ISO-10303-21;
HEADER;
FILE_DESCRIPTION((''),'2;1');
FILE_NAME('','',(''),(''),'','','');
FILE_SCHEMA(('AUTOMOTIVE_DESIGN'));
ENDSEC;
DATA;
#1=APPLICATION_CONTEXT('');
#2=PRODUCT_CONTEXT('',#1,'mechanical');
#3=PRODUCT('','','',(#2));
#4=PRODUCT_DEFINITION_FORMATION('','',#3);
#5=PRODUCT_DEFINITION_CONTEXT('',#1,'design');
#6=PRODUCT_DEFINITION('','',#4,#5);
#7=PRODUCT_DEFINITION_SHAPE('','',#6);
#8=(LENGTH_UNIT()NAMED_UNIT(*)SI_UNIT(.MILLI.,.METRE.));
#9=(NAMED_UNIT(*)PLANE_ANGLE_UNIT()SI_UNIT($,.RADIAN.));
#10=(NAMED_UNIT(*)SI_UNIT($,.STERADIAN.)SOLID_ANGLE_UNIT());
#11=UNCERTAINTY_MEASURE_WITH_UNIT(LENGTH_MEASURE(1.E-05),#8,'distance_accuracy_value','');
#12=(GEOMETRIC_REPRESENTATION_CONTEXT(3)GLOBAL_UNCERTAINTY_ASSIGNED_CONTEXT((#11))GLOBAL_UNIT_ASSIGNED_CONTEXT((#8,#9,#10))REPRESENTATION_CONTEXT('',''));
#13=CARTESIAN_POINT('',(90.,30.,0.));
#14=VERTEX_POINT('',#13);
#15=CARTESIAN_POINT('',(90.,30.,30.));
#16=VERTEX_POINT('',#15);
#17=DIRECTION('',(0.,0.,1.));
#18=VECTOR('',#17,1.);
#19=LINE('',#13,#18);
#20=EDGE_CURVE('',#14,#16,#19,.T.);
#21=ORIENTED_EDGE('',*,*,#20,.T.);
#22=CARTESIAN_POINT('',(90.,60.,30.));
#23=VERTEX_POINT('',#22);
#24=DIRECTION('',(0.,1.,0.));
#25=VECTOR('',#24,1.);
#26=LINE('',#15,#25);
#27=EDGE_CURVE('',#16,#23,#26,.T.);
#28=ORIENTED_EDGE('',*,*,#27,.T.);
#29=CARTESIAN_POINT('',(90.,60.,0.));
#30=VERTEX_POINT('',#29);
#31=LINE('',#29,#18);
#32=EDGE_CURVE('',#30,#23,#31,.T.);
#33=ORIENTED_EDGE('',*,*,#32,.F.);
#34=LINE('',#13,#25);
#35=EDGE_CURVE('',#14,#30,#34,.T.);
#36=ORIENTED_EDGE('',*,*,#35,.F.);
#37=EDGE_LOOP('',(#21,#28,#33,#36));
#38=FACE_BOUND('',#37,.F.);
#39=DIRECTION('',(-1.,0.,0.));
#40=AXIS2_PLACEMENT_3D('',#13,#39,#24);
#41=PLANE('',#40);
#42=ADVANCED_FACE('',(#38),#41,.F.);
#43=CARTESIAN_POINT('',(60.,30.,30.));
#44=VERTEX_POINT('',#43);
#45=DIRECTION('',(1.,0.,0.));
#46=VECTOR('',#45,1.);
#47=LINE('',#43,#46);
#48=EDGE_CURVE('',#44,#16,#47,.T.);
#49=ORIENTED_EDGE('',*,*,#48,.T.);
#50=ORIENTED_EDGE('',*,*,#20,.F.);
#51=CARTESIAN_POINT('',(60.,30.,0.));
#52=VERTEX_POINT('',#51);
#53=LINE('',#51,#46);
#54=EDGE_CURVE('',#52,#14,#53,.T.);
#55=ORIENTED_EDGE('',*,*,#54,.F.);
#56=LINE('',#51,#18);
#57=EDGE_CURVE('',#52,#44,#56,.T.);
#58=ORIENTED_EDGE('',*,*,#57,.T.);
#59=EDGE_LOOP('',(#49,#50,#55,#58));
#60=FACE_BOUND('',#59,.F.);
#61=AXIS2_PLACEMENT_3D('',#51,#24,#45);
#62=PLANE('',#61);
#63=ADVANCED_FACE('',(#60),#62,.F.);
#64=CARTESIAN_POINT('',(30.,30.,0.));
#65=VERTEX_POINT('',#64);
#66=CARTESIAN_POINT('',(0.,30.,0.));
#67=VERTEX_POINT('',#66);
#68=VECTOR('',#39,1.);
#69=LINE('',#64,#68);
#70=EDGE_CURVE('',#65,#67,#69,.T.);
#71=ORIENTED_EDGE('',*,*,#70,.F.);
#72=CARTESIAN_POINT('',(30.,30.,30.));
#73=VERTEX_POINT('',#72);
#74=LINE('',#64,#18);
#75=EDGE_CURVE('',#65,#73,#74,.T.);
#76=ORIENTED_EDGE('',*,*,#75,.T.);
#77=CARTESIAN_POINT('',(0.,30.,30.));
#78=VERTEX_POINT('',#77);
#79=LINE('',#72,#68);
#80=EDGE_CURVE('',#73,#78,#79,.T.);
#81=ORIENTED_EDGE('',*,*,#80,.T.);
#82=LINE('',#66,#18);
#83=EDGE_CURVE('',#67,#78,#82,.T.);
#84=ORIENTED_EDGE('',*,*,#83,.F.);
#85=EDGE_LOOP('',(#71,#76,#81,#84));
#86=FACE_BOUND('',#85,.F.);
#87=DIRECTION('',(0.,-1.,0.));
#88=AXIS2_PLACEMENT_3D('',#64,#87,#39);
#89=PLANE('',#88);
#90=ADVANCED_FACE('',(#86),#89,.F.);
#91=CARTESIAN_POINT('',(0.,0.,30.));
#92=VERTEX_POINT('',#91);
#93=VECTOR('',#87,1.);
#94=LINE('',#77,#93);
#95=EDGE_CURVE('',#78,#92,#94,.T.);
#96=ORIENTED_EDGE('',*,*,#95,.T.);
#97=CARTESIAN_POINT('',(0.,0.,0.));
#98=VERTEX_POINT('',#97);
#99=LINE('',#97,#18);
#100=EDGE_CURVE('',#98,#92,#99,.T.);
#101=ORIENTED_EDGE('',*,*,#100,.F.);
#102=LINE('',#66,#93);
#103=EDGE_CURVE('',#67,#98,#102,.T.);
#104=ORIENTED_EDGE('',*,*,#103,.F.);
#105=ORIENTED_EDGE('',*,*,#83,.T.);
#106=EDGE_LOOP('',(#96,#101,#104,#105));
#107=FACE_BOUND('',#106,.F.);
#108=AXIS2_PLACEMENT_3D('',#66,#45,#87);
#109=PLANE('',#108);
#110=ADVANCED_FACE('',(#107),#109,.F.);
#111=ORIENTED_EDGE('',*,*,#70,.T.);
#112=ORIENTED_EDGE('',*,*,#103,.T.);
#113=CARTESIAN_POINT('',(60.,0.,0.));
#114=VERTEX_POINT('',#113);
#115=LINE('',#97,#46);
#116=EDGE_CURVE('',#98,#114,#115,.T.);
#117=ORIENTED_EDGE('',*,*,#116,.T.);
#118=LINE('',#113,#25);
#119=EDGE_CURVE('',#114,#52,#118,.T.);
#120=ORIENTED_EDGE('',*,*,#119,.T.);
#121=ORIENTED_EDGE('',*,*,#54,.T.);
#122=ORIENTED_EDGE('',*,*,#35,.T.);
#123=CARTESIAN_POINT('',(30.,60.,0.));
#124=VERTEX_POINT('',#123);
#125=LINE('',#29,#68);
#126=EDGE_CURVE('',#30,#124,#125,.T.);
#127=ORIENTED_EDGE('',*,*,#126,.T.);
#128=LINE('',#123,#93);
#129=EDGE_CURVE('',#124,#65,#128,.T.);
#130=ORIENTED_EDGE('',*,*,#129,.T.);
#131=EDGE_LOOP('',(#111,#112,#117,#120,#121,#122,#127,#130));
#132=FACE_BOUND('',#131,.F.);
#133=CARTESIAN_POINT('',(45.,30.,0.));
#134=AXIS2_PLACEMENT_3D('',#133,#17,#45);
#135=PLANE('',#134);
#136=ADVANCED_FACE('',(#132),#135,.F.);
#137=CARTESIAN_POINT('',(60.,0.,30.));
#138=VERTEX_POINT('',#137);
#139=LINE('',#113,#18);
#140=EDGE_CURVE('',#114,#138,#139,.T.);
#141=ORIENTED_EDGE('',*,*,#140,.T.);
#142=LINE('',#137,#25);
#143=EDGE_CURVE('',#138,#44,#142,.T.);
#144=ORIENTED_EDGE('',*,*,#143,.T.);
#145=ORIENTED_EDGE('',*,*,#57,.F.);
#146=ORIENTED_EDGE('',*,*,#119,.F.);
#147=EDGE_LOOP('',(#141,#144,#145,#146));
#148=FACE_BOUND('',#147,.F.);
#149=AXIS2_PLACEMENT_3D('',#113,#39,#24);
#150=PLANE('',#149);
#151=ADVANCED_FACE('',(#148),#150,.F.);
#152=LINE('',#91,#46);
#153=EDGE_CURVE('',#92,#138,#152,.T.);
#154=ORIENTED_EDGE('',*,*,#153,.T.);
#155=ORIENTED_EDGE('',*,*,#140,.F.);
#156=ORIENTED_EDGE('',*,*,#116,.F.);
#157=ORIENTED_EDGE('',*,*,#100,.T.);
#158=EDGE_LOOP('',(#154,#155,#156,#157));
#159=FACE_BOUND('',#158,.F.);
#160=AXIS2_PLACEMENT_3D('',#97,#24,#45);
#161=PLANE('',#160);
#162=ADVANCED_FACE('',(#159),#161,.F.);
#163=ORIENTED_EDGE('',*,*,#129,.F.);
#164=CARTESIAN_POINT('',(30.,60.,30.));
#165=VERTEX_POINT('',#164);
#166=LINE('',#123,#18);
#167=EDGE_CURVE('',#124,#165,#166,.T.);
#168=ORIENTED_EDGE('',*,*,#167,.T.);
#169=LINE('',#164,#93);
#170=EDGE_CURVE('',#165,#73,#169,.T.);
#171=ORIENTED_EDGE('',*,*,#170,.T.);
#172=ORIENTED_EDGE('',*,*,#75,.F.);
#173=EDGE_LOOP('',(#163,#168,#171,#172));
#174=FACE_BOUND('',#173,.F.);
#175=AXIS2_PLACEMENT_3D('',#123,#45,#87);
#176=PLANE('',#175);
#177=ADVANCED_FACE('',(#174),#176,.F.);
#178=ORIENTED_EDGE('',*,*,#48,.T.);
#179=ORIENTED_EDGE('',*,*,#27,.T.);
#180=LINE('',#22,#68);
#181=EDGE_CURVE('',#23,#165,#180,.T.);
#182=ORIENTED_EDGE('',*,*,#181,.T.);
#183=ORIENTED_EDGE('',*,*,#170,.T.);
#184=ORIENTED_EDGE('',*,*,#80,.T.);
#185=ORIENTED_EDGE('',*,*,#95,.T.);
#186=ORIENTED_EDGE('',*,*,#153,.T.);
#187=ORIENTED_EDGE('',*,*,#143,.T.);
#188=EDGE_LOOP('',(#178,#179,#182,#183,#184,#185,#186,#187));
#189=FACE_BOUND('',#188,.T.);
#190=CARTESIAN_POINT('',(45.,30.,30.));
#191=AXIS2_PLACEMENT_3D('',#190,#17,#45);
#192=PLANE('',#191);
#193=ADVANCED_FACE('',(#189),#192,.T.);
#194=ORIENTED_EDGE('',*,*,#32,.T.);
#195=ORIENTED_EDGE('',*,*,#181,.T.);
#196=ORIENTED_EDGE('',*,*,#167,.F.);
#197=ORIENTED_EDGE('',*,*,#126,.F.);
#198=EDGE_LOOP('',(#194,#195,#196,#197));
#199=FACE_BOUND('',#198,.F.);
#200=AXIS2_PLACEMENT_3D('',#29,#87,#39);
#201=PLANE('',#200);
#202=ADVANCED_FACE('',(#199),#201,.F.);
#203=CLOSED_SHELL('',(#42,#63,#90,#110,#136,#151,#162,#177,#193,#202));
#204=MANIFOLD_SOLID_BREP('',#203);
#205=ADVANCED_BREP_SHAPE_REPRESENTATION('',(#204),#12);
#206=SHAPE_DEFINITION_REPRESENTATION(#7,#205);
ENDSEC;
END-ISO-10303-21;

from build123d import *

# Parameters (mm, degrees)
BOSS_EXTRU_1_DEPTH = 30


with BuildPart() as part:
    # Esquisse1 → Boss.-Extru.1 (new body)
    with BuildSketch(Plane.XY):
        Polygon((0, 0), (60, 0), (60, 30), (90, 30), (90, 60), (30, 60), (30, 30), (0, 30), align=None)
    extrude(amount=BOSS_EXTRU_1_DEPTH)


solid = part.part
